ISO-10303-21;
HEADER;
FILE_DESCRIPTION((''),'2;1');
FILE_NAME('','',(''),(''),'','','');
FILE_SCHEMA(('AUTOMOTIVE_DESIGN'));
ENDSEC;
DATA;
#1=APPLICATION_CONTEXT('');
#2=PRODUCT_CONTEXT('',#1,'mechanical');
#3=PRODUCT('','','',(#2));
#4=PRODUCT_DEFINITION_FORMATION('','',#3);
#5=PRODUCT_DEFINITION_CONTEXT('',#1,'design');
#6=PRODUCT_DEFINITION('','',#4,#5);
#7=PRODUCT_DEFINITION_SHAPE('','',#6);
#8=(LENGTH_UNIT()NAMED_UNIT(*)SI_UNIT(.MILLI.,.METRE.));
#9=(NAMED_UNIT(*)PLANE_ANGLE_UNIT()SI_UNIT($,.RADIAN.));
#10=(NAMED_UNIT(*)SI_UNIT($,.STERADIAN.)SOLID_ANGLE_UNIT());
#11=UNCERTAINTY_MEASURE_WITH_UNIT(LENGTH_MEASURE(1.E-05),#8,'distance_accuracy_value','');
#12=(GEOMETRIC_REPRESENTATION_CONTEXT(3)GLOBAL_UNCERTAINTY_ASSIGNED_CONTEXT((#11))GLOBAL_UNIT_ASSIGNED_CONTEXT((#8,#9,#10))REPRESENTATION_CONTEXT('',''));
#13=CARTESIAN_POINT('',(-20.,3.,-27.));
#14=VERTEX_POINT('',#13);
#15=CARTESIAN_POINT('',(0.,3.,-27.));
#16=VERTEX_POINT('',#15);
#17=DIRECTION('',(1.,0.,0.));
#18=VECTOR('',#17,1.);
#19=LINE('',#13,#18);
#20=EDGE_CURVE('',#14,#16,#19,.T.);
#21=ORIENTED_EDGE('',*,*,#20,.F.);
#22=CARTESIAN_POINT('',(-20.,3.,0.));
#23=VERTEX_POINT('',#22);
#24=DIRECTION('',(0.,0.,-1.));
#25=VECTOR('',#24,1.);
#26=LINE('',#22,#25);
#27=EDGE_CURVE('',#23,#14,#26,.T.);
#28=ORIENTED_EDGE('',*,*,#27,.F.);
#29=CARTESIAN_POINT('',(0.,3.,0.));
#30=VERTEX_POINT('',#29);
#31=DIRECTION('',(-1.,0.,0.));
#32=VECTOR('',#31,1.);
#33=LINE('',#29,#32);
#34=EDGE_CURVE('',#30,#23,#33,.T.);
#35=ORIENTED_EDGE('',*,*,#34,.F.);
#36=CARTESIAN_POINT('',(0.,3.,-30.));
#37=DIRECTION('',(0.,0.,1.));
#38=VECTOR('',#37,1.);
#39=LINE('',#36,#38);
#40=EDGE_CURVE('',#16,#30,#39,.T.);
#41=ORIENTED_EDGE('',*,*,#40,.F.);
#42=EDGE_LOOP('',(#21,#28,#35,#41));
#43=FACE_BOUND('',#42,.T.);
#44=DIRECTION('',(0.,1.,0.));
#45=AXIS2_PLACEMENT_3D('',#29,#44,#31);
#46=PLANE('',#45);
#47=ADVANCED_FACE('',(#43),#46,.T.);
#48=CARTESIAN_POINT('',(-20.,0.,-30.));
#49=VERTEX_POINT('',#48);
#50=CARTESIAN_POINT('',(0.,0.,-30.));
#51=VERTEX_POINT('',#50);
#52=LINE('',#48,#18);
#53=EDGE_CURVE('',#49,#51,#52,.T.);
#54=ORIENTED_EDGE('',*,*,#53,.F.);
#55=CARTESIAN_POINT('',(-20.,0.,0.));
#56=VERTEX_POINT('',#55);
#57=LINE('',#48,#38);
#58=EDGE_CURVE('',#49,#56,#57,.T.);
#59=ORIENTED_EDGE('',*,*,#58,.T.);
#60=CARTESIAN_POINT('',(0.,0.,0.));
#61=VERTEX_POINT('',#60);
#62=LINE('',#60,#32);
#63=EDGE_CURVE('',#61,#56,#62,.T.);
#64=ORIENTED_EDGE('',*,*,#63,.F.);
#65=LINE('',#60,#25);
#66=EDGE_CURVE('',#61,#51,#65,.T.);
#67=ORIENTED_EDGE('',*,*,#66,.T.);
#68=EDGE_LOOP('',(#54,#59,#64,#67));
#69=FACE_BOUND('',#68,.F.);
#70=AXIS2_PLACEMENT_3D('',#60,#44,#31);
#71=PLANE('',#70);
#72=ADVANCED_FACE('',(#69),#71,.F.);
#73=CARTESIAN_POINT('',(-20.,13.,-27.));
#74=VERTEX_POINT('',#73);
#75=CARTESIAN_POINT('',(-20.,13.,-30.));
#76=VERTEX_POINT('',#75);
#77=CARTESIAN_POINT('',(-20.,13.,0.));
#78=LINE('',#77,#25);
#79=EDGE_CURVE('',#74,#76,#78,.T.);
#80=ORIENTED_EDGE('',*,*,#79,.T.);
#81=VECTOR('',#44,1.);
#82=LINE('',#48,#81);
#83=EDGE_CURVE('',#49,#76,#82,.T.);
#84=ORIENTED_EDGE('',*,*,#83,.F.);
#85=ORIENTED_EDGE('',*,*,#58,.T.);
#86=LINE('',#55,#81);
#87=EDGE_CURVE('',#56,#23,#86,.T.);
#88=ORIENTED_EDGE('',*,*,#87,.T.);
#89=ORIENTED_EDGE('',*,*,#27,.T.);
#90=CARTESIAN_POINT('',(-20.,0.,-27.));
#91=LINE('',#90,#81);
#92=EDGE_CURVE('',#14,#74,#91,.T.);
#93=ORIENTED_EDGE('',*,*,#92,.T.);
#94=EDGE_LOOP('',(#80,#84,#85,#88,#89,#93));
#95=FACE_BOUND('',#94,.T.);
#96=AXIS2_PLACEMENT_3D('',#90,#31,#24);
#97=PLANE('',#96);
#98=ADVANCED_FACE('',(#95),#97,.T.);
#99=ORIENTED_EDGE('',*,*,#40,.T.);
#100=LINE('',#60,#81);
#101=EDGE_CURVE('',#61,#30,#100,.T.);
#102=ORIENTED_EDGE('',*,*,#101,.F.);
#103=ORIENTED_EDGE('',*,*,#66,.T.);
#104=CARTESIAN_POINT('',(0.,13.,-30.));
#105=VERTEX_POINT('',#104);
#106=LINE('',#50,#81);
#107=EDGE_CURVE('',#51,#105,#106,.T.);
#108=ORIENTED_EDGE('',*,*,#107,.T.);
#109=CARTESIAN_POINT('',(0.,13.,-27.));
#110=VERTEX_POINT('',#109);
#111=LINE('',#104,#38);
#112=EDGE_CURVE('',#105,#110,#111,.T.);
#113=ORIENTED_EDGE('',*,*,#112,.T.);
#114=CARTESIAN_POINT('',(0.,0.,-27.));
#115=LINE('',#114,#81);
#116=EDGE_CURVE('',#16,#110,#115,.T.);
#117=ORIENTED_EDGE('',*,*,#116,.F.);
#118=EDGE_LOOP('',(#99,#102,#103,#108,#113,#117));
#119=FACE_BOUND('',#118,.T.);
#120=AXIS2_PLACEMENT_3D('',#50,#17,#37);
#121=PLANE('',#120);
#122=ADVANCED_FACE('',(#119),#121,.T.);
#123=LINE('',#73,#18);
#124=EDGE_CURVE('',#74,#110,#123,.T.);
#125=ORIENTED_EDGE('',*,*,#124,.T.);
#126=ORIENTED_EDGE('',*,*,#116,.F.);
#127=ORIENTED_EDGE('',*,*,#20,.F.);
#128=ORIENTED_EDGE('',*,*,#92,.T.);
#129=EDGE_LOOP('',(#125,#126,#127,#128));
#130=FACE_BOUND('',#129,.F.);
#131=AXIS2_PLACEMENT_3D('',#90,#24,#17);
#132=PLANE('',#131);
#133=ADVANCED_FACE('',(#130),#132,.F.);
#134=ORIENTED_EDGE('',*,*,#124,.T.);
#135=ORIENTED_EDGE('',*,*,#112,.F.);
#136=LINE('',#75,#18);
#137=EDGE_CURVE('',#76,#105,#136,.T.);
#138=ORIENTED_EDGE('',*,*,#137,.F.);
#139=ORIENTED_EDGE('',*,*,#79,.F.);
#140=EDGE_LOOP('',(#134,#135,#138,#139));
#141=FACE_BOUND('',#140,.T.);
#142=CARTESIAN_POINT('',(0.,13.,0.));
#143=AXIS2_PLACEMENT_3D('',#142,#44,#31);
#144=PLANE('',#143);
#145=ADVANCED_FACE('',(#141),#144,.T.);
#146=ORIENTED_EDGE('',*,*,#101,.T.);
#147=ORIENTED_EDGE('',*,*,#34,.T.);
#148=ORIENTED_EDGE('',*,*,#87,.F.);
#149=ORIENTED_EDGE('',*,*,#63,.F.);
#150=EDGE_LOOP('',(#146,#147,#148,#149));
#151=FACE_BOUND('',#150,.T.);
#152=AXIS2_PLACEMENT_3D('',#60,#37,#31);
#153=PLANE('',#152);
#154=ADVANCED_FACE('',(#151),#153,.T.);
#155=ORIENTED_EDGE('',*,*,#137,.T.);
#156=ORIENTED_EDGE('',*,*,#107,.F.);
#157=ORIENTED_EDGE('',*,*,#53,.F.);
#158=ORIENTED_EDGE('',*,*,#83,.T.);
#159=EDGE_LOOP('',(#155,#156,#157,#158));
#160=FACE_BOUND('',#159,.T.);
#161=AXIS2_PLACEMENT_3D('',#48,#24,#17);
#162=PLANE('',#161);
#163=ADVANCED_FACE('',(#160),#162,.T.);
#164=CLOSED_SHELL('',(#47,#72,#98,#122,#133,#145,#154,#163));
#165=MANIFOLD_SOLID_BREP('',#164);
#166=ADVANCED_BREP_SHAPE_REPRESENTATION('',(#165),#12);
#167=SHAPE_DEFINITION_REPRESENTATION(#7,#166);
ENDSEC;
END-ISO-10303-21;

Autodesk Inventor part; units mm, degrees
ref_plane "YZ Plane" through (0, 0, 0) normal (1, 0, 0) x (0, 1, 0)
ref_plane "XZ Plane" through (0, 0, 0) normal (0, 1, 0) x (-1, 0, 0)
ref_plane "XY Plane" through (0, 0, 0) normal (0, 0, 1) x (1, 0, 0)
sketch "Boceto1" plane through (0, 0, 0) normal (0, 1, 0) x (-1, 0, 0)
  line L0 (0, 0) -> (20, 0)
  line L1 (20, 0) -> (20, -30)
  line L2 (20, -30) -> (0, -30)
  line L3 (0, -30) -> (0, 0)
  line L4 (0, -30) -> (20, -30)
  line L5 (20, -30) -> (20, -27)
  line L6 (20, -27) -> (0, -27)
  line L7 (0, -27) -> (0, -30)
  dimension "d0" = 20
  dimension "d1" = 30
  dimension "d2" = 3
extrude "Extrusión1" add sketch "Boceto1" along normal blind 13 contours L6 L1 L2 L3
extrude "Extrusión2" add sketch "Boceto1" along normal blind 3 contours L0 L1 L6 L3
properties part number "1.3.6.GripperFix"
